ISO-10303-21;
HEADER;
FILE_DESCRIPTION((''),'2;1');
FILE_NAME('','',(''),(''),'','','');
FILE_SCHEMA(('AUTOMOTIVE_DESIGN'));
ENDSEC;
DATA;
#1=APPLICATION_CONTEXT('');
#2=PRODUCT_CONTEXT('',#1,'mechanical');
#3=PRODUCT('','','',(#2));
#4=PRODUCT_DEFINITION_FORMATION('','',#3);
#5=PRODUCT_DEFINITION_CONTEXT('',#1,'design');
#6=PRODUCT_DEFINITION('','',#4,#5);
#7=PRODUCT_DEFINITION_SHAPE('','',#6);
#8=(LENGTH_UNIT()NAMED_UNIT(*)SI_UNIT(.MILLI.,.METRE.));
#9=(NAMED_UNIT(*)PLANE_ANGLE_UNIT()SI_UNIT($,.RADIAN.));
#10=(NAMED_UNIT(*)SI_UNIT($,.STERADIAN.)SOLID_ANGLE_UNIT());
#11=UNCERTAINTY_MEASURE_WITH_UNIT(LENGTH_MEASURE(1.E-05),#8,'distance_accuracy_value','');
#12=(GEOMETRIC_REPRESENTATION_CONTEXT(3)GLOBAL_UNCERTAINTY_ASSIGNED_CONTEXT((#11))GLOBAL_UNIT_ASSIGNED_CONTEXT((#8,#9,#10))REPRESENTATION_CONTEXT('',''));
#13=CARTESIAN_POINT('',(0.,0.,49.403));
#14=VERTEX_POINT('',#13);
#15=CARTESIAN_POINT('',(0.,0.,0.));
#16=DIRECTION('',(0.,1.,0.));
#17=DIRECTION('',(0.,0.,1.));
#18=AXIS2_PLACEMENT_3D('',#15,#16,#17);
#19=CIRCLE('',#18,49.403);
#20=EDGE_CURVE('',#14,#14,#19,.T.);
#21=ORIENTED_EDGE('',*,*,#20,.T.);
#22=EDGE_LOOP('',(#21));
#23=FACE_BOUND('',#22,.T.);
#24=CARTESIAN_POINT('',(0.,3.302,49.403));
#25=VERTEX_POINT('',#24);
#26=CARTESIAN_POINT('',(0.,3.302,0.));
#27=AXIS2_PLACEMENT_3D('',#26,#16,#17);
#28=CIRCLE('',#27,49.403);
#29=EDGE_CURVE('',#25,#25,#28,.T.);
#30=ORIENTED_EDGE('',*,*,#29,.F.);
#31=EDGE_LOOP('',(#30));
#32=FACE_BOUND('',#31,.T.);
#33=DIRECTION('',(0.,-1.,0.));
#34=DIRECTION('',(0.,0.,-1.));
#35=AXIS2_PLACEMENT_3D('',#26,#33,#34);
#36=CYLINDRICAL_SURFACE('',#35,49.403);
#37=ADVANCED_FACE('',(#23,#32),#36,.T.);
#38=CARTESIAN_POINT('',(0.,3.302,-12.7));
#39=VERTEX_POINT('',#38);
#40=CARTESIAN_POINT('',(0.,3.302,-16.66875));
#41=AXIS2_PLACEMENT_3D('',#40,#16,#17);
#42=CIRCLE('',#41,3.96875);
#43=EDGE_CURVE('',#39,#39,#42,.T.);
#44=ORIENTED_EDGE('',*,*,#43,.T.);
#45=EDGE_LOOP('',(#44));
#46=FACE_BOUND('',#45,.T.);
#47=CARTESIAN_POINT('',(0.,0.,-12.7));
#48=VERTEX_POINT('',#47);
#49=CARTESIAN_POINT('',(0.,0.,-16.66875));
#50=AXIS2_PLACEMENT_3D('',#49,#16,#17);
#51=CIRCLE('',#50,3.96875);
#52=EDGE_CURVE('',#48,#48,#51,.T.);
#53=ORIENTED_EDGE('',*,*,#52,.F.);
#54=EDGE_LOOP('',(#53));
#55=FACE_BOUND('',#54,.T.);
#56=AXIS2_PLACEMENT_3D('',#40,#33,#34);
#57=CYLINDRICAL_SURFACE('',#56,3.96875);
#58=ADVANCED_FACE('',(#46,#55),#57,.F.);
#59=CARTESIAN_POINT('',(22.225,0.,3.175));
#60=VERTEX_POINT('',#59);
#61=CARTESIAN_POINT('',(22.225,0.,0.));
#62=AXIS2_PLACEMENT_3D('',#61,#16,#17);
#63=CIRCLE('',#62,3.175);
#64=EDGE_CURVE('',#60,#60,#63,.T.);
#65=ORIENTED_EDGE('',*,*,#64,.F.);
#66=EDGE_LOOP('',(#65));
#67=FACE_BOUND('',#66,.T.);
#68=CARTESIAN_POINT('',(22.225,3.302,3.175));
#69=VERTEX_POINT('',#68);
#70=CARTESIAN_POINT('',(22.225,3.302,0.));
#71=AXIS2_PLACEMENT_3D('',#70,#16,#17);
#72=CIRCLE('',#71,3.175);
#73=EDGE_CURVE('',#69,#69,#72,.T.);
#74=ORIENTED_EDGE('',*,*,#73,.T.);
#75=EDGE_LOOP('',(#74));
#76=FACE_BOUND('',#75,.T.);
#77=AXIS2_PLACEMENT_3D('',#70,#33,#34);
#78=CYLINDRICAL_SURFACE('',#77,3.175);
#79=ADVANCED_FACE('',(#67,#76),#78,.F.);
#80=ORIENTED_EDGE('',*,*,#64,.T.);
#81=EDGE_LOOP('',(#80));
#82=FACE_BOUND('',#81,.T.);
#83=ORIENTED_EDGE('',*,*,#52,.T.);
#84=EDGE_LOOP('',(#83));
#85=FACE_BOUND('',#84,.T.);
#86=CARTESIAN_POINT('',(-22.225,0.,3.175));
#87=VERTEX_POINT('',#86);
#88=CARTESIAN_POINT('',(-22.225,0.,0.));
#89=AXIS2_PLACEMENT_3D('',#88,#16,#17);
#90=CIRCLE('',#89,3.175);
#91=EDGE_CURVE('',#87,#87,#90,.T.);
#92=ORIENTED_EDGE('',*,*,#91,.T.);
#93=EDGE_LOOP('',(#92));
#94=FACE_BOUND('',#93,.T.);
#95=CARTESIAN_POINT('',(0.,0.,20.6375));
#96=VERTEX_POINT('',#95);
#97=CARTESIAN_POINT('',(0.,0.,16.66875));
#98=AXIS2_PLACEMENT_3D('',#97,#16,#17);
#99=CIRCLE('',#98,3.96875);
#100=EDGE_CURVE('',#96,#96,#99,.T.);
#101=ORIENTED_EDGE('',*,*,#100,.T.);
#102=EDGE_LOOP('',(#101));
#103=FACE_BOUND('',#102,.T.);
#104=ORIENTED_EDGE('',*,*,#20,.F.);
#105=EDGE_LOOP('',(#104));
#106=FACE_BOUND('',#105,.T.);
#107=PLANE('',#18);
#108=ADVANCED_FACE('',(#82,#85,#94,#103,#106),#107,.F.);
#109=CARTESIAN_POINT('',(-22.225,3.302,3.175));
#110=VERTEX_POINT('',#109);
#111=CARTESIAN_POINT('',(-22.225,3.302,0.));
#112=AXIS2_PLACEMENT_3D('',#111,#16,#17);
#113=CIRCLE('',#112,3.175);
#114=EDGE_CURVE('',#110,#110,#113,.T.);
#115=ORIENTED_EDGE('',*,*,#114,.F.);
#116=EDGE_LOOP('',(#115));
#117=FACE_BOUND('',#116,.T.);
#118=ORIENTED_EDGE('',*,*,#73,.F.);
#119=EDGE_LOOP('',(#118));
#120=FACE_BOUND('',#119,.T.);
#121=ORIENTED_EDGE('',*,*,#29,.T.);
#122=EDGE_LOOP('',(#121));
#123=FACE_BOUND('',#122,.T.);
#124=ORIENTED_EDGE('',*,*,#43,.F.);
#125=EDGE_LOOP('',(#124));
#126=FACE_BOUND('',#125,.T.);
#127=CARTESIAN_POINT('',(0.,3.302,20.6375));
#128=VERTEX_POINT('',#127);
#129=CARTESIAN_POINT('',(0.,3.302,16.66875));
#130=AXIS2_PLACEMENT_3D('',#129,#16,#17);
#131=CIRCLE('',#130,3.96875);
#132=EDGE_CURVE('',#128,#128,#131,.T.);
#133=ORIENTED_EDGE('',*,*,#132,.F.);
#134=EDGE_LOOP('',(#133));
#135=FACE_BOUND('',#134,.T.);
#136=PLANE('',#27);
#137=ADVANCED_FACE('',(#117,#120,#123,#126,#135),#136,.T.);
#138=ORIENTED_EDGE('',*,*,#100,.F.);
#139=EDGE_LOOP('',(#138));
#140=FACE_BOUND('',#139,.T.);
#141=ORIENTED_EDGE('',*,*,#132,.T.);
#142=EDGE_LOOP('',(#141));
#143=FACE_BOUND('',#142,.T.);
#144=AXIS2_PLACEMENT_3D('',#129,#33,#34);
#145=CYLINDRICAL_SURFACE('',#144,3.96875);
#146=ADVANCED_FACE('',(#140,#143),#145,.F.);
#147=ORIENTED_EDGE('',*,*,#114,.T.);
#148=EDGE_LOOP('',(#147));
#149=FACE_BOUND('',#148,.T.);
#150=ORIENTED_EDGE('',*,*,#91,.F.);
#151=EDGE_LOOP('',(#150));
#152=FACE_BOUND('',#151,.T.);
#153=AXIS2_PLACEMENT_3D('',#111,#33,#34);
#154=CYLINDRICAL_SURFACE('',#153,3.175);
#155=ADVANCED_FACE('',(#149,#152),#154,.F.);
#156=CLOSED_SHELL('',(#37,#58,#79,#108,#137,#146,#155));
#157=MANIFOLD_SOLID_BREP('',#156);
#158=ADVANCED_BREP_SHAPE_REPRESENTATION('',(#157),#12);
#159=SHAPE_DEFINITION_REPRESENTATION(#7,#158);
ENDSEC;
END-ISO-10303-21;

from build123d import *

# Parameters (mm, degrees)
SKETCH1_R           = 49.403
SKETCH1_R_2         = 3.175
SKETCH1_R_3         = 3.96875
BOSS_EXTRUDE1_DEPTH = 3.302


with BuildPart() as part:
    # Sketch1 → Boss-Extrude1 (new body)
    with BuildSketch(Plane(origin=(0, 0, 0), x_dir=(1, 0, 0), z_dir=(0, 1, 0))):
        Circle(SKETCH1_R)
        with Locations((22.225, 0)):
            Circle(SKETCH1_R_2, mode=Mode.SUBTRACT)
        with Locations((-22.225, 0)):
            Circle(SKETCH1_R_2, mode=Mode.SUBTRACT)
        with Locations((0, -16.66875)):
            Circle(SKETCH1_R_3, mode=Mode.SUBTRACT)
        with Locations((0, 16.66875)):
            Circle(SKETCH1_R_3, mode=Mode.SUBTRACT)
    extrude(amount=BOSS_EXTRUDE1_DEPTH)


solid = part.part
